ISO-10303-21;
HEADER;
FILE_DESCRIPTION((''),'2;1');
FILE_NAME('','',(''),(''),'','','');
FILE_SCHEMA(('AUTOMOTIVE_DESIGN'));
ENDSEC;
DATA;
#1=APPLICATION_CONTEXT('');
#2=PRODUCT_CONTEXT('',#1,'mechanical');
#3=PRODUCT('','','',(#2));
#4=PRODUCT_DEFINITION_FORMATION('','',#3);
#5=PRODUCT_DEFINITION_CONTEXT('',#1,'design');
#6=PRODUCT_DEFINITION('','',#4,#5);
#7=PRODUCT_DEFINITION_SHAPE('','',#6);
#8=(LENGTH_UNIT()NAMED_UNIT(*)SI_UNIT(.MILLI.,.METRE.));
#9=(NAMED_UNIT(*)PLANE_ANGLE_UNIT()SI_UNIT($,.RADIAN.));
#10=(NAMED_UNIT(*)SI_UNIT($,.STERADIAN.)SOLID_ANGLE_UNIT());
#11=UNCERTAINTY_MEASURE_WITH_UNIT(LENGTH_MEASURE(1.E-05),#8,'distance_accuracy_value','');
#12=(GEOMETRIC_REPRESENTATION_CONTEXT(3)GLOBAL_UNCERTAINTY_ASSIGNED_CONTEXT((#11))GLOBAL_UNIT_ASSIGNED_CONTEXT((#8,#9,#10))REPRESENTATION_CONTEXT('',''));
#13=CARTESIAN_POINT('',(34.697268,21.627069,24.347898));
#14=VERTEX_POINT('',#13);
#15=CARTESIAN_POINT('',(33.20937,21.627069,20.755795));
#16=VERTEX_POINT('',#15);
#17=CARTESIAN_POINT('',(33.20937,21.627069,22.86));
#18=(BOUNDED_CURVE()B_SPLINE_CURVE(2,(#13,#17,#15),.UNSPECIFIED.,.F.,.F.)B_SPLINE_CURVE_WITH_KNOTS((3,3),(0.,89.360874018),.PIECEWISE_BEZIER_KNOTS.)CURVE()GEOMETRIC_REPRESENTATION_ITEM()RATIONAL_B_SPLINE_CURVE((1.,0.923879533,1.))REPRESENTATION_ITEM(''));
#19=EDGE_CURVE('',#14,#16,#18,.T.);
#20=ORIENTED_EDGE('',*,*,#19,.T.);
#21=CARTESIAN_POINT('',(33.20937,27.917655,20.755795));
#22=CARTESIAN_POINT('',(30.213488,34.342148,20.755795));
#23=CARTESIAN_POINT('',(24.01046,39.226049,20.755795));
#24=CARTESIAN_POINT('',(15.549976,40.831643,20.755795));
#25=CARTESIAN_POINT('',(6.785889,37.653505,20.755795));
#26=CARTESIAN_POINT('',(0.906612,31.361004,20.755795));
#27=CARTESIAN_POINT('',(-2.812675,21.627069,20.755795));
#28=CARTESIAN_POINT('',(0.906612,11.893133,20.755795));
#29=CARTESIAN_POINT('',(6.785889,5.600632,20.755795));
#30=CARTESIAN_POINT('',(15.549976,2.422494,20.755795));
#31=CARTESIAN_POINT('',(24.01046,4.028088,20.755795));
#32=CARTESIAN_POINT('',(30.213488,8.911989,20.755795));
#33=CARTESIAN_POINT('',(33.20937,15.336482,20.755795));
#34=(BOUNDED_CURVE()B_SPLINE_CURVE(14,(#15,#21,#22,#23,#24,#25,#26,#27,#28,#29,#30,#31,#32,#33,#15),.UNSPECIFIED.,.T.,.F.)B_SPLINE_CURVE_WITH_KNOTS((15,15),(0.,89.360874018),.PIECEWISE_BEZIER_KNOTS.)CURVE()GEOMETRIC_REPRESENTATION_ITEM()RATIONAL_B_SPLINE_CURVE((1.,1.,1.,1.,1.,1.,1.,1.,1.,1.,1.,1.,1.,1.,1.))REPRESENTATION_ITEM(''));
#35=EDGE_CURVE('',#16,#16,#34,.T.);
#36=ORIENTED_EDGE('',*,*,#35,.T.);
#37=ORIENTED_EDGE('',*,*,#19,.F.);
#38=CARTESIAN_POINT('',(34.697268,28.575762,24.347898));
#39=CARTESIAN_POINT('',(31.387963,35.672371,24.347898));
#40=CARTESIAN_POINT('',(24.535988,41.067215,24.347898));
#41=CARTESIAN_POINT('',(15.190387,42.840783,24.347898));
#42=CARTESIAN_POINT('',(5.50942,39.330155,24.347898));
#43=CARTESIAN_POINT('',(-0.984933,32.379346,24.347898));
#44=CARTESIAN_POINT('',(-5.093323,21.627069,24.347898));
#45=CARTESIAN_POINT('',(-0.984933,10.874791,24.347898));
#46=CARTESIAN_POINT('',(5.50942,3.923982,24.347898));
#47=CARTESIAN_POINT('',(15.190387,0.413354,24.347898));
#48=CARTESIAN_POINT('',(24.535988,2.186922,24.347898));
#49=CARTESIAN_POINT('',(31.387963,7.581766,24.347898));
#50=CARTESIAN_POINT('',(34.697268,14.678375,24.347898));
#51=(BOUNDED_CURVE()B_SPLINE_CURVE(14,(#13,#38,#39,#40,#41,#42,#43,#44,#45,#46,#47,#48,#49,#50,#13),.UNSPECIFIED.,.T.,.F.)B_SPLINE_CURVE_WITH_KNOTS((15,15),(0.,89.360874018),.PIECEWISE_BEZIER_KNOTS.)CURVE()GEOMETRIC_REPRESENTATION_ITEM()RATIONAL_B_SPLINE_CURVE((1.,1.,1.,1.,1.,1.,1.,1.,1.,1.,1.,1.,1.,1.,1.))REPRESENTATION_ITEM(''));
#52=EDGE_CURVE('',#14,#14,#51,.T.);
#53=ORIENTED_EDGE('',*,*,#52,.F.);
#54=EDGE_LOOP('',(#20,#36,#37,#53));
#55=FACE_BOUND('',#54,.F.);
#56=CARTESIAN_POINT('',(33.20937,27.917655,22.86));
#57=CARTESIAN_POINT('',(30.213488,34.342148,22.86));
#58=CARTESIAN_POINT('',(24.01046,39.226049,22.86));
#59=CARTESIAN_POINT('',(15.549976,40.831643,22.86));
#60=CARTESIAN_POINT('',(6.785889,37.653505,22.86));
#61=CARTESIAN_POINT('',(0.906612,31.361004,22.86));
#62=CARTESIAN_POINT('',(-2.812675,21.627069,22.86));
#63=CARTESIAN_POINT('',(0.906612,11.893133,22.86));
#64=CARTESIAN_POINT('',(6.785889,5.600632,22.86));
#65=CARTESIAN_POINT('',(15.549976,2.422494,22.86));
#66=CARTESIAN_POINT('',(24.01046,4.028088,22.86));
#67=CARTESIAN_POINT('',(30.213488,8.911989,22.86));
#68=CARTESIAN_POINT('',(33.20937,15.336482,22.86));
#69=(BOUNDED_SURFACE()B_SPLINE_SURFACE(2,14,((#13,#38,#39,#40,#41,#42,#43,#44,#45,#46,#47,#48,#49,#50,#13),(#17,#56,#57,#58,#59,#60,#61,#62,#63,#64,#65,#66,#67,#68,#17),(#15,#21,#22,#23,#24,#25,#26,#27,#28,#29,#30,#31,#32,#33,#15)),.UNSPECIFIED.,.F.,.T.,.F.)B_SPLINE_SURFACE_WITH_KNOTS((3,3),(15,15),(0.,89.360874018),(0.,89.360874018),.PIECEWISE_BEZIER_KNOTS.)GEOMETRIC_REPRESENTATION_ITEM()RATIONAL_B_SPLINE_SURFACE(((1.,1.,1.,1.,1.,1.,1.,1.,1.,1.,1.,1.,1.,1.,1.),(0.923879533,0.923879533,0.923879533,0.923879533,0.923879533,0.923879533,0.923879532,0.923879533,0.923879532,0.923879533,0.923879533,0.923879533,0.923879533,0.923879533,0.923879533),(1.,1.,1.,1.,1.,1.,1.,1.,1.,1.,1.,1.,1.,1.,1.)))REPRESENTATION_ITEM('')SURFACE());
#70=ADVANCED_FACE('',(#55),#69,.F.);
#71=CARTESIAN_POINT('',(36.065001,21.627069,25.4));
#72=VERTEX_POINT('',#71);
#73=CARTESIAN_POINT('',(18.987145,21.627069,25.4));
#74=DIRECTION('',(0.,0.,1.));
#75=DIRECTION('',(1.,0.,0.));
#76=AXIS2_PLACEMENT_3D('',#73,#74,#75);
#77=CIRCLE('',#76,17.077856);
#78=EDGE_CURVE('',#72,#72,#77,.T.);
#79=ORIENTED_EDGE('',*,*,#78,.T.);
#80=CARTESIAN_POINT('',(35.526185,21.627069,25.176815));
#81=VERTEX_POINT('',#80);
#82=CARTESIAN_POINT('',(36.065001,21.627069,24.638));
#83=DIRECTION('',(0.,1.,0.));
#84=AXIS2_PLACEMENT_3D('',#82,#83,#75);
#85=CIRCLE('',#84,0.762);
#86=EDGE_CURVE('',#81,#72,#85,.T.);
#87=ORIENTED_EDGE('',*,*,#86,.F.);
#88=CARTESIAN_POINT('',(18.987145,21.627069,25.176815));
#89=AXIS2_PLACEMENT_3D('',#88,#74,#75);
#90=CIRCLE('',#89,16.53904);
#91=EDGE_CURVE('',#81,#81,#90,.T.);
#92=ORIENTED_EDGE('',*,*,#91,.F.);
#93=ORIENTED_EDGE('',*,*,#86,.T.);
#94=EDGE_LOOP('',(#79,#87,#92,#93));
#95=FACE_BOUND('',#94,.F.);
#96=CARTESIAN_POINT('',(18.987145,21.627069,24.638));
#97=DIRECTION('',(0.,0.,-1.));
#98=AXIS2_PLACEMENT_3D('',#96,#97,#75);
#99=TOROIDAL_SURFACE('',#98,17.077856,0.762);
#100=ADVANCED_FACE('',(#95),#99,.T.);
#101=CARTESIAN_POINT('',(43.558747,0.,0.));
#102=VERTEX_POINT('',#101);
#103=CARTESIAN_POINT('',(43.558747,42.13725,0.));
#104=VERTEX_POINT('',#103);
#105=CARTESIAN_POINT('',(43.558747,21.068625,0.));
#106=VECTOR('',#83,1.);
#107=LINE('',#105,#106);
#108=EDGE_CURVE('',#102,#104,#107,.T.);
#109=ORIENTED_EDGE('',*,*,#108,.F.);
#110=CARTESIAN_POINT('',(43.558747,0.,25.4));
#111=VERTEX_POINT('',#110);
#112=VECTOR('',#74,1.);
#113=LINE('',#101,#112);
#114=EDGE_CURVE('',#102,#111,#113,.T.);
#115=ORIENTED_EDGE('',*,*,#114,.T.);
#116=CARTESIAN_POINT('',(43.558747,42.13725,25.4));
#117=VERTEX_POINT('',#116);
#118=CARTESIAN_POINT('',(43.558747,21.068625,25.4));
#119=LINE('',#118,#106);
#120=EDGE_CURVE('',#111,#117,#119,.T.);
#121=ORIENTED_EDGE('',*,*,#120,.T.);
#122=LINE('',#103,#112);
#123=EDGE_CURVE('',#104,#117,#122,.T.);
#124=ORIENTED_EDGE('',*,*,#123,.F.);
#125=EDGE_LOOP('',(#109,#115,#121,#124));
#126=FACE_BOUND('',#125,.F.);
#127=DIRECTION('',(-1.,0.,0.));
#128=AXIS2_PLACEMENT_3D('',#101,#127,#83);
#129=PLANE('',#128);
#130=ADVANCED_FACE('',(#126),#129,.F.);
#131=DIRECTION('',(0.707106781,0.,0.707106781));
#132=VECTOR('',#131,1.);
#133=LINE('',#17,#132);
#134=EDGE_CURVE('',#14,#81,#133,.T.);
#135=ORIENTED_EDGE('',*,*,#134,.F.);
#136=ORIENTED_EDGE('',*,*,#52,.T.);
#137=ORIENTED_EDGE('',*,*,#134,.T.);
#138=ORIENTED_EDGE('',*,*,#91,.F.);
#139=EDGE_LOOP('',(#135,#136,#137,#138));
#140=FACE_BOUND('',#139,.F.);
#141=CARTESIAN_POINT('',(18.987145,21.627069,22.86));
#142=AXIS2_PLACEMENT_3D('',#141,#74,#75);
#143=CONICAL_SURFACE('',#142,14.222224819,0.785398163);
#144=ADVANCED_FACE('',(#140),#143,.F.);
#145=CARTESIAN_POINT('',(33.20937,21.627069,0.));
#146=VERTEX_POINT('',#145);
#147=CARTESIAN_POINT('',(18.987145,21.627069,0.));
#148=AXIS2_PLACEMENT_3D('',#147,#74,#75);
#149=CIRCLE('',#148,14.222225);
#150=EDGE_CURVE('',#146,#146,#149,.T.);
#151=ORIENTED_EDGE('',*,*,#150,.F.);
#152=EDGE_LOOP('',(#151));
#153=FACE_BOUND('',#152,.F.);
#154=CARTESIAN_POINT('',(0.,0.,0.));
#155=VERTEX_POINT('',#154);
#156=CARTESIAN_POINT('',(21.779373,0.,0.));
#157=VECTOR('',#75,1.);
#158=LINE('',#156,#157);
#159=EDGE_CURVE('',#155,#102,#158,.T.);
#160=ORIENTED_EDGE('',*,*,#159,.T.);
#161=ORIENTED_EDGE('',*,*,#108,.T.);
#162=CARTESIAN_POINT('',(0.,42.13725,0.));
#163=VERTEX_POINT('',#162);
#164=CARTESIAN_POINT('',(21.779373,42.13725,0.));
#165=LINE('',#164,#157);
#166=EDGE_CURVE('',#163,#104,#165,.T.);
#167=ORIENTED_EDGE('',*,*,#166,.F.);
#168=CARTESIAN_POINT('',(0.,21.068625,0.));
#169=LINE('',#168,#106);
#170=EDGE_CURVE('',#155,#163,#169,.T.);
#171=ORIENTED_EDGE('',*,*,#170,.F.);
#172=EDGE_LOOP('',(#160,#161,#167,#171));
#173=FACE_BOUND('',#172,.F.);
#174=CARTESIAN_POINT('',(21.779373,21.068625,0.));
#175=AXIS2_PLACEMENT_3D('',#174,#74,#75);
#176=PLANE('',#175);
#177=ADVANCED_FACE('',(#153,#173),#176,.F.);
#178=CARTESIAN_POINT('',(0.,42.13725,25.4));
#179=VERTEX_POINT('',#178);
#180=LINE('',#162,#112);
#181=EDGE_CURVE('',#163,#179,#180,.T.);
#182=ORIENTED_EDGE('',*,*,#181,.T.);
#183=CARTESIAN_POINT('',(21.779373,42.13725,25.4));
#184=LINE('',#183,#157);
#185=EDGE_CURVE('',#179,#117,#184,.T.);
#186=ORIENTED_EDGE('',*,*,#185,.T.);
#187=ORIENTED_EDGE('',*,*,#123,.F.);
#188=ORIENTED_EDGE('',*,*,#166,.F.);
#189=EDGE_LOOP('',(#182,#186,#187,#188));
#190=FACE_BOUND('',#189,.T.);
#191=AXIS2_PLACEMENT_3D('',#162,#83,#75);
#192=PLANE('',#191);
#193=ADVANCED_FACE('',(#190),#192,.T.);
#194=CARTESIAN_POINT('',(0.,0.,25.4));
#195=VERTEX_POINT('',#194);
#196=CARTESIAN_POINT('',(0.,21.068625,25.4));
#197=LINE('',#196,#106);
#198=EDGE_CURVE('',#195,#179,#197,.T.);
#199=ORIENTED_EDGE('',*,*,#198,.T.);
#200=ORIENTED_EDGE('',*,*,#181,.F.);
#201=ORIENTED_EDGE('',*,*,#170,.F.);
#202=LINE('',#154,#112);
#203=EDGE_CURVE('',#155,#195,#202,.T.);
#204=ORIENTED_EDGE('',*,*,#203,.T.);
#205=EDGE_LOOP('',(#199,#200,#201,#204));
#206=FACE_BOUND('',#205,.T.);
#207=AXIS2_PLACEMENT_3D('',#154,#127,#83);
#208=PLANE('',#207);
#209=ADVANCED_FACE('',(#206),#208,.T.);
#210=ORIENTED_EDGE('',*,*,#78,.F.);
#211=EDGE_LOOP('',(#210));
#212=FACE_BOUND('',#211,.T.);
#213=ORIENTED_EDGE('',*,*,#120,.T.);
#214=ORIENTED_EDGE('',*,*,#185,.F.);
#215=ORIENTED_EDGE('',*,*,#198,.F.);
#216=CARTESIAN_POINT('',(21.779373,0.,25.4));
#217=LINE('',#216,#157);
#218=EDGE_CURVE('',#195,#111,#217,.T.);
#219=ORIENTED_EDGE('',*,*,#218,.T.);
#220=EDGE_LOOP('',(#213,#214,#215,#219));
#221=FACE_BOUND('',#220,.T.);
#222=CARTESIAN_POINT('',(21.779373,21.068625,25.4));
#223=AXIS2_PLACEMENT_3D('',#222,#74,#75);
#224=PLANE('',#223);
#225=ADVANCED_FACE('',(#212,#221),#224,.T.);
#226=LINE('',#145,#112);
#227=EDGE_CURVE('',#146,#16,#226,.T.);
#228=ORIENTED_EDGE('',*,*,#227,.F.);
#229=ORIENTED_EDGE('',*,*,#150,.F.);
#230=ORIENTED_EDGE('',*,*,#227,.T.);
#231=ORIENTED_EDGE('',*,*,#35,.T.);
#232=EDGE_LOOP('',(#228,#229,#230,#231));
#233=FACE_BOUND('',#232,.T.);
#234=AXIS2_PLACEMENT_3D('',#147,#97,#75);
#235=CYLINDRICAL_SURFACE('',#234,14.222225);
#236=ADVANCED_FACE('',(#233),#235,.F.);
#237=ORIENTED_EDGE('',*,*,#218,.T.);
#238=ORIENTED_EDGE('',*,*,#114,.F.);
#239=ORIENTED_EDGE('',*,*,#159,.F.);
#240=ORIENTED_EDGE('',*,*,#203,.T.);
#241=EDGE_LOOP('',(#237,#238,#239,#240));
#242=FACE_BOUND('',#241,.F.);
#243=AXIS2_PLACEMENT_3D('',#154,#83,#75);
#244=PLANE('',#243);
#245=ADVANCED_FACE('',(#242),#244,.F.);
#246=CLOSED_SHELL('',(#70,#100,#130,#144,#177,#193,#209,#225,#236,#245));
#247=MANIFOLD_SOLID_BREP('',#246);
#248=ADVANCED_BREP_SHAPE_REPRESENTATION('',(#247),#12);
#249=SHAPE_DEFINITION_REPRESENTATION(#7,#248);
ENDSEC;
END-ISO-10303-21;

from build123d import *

# Parameters (mm, degrees)
F0_W     = 43.5587465763
F0_H     = 42.1372503042
F0_R     = 14.2222248189
F1_DEPTH = 25.4
F2_SIZE  = 2.54
F3_R     = 0.762
F4_R     = 5.08


with BuildPart() as f1:
    # F0 (on Top) → F1 (new body)
    with BuildSketch(Plane.XY):
        with Locations((21.7793732882, 21.0686251521)):
            Rectangle(F0_W, F0_H)
        with Locations((18.9871452749, 21.6270685196)):
            Circle(F0_R, mode=Mode.SUBTRACT)
    extrude(amount=F1_DEPTH)

    # F2
    f2_edges = [f1.edges().sort_by_distance(p)[0] for p in [
        (4.76492, 21.627069, 25.4),
    ]]
    chamfer(f2_edges, length=F2_SIZE)

    # F3
    f3_edges = [f1.edges().sort_by_distance(p)[0] for p in [
        (2.22492, 21.627069, 25.4),
    ]]
    fillet(f3_edges, radius=F3_R)

    # F4
    f4_edges = [f1.edges().sort_by_distance(p)[0] for p in [
        (4.76492, 21.627069, 22.86),
    ]]
    fillet(f4_edges, radius=F4_R)


solid = f1.part
